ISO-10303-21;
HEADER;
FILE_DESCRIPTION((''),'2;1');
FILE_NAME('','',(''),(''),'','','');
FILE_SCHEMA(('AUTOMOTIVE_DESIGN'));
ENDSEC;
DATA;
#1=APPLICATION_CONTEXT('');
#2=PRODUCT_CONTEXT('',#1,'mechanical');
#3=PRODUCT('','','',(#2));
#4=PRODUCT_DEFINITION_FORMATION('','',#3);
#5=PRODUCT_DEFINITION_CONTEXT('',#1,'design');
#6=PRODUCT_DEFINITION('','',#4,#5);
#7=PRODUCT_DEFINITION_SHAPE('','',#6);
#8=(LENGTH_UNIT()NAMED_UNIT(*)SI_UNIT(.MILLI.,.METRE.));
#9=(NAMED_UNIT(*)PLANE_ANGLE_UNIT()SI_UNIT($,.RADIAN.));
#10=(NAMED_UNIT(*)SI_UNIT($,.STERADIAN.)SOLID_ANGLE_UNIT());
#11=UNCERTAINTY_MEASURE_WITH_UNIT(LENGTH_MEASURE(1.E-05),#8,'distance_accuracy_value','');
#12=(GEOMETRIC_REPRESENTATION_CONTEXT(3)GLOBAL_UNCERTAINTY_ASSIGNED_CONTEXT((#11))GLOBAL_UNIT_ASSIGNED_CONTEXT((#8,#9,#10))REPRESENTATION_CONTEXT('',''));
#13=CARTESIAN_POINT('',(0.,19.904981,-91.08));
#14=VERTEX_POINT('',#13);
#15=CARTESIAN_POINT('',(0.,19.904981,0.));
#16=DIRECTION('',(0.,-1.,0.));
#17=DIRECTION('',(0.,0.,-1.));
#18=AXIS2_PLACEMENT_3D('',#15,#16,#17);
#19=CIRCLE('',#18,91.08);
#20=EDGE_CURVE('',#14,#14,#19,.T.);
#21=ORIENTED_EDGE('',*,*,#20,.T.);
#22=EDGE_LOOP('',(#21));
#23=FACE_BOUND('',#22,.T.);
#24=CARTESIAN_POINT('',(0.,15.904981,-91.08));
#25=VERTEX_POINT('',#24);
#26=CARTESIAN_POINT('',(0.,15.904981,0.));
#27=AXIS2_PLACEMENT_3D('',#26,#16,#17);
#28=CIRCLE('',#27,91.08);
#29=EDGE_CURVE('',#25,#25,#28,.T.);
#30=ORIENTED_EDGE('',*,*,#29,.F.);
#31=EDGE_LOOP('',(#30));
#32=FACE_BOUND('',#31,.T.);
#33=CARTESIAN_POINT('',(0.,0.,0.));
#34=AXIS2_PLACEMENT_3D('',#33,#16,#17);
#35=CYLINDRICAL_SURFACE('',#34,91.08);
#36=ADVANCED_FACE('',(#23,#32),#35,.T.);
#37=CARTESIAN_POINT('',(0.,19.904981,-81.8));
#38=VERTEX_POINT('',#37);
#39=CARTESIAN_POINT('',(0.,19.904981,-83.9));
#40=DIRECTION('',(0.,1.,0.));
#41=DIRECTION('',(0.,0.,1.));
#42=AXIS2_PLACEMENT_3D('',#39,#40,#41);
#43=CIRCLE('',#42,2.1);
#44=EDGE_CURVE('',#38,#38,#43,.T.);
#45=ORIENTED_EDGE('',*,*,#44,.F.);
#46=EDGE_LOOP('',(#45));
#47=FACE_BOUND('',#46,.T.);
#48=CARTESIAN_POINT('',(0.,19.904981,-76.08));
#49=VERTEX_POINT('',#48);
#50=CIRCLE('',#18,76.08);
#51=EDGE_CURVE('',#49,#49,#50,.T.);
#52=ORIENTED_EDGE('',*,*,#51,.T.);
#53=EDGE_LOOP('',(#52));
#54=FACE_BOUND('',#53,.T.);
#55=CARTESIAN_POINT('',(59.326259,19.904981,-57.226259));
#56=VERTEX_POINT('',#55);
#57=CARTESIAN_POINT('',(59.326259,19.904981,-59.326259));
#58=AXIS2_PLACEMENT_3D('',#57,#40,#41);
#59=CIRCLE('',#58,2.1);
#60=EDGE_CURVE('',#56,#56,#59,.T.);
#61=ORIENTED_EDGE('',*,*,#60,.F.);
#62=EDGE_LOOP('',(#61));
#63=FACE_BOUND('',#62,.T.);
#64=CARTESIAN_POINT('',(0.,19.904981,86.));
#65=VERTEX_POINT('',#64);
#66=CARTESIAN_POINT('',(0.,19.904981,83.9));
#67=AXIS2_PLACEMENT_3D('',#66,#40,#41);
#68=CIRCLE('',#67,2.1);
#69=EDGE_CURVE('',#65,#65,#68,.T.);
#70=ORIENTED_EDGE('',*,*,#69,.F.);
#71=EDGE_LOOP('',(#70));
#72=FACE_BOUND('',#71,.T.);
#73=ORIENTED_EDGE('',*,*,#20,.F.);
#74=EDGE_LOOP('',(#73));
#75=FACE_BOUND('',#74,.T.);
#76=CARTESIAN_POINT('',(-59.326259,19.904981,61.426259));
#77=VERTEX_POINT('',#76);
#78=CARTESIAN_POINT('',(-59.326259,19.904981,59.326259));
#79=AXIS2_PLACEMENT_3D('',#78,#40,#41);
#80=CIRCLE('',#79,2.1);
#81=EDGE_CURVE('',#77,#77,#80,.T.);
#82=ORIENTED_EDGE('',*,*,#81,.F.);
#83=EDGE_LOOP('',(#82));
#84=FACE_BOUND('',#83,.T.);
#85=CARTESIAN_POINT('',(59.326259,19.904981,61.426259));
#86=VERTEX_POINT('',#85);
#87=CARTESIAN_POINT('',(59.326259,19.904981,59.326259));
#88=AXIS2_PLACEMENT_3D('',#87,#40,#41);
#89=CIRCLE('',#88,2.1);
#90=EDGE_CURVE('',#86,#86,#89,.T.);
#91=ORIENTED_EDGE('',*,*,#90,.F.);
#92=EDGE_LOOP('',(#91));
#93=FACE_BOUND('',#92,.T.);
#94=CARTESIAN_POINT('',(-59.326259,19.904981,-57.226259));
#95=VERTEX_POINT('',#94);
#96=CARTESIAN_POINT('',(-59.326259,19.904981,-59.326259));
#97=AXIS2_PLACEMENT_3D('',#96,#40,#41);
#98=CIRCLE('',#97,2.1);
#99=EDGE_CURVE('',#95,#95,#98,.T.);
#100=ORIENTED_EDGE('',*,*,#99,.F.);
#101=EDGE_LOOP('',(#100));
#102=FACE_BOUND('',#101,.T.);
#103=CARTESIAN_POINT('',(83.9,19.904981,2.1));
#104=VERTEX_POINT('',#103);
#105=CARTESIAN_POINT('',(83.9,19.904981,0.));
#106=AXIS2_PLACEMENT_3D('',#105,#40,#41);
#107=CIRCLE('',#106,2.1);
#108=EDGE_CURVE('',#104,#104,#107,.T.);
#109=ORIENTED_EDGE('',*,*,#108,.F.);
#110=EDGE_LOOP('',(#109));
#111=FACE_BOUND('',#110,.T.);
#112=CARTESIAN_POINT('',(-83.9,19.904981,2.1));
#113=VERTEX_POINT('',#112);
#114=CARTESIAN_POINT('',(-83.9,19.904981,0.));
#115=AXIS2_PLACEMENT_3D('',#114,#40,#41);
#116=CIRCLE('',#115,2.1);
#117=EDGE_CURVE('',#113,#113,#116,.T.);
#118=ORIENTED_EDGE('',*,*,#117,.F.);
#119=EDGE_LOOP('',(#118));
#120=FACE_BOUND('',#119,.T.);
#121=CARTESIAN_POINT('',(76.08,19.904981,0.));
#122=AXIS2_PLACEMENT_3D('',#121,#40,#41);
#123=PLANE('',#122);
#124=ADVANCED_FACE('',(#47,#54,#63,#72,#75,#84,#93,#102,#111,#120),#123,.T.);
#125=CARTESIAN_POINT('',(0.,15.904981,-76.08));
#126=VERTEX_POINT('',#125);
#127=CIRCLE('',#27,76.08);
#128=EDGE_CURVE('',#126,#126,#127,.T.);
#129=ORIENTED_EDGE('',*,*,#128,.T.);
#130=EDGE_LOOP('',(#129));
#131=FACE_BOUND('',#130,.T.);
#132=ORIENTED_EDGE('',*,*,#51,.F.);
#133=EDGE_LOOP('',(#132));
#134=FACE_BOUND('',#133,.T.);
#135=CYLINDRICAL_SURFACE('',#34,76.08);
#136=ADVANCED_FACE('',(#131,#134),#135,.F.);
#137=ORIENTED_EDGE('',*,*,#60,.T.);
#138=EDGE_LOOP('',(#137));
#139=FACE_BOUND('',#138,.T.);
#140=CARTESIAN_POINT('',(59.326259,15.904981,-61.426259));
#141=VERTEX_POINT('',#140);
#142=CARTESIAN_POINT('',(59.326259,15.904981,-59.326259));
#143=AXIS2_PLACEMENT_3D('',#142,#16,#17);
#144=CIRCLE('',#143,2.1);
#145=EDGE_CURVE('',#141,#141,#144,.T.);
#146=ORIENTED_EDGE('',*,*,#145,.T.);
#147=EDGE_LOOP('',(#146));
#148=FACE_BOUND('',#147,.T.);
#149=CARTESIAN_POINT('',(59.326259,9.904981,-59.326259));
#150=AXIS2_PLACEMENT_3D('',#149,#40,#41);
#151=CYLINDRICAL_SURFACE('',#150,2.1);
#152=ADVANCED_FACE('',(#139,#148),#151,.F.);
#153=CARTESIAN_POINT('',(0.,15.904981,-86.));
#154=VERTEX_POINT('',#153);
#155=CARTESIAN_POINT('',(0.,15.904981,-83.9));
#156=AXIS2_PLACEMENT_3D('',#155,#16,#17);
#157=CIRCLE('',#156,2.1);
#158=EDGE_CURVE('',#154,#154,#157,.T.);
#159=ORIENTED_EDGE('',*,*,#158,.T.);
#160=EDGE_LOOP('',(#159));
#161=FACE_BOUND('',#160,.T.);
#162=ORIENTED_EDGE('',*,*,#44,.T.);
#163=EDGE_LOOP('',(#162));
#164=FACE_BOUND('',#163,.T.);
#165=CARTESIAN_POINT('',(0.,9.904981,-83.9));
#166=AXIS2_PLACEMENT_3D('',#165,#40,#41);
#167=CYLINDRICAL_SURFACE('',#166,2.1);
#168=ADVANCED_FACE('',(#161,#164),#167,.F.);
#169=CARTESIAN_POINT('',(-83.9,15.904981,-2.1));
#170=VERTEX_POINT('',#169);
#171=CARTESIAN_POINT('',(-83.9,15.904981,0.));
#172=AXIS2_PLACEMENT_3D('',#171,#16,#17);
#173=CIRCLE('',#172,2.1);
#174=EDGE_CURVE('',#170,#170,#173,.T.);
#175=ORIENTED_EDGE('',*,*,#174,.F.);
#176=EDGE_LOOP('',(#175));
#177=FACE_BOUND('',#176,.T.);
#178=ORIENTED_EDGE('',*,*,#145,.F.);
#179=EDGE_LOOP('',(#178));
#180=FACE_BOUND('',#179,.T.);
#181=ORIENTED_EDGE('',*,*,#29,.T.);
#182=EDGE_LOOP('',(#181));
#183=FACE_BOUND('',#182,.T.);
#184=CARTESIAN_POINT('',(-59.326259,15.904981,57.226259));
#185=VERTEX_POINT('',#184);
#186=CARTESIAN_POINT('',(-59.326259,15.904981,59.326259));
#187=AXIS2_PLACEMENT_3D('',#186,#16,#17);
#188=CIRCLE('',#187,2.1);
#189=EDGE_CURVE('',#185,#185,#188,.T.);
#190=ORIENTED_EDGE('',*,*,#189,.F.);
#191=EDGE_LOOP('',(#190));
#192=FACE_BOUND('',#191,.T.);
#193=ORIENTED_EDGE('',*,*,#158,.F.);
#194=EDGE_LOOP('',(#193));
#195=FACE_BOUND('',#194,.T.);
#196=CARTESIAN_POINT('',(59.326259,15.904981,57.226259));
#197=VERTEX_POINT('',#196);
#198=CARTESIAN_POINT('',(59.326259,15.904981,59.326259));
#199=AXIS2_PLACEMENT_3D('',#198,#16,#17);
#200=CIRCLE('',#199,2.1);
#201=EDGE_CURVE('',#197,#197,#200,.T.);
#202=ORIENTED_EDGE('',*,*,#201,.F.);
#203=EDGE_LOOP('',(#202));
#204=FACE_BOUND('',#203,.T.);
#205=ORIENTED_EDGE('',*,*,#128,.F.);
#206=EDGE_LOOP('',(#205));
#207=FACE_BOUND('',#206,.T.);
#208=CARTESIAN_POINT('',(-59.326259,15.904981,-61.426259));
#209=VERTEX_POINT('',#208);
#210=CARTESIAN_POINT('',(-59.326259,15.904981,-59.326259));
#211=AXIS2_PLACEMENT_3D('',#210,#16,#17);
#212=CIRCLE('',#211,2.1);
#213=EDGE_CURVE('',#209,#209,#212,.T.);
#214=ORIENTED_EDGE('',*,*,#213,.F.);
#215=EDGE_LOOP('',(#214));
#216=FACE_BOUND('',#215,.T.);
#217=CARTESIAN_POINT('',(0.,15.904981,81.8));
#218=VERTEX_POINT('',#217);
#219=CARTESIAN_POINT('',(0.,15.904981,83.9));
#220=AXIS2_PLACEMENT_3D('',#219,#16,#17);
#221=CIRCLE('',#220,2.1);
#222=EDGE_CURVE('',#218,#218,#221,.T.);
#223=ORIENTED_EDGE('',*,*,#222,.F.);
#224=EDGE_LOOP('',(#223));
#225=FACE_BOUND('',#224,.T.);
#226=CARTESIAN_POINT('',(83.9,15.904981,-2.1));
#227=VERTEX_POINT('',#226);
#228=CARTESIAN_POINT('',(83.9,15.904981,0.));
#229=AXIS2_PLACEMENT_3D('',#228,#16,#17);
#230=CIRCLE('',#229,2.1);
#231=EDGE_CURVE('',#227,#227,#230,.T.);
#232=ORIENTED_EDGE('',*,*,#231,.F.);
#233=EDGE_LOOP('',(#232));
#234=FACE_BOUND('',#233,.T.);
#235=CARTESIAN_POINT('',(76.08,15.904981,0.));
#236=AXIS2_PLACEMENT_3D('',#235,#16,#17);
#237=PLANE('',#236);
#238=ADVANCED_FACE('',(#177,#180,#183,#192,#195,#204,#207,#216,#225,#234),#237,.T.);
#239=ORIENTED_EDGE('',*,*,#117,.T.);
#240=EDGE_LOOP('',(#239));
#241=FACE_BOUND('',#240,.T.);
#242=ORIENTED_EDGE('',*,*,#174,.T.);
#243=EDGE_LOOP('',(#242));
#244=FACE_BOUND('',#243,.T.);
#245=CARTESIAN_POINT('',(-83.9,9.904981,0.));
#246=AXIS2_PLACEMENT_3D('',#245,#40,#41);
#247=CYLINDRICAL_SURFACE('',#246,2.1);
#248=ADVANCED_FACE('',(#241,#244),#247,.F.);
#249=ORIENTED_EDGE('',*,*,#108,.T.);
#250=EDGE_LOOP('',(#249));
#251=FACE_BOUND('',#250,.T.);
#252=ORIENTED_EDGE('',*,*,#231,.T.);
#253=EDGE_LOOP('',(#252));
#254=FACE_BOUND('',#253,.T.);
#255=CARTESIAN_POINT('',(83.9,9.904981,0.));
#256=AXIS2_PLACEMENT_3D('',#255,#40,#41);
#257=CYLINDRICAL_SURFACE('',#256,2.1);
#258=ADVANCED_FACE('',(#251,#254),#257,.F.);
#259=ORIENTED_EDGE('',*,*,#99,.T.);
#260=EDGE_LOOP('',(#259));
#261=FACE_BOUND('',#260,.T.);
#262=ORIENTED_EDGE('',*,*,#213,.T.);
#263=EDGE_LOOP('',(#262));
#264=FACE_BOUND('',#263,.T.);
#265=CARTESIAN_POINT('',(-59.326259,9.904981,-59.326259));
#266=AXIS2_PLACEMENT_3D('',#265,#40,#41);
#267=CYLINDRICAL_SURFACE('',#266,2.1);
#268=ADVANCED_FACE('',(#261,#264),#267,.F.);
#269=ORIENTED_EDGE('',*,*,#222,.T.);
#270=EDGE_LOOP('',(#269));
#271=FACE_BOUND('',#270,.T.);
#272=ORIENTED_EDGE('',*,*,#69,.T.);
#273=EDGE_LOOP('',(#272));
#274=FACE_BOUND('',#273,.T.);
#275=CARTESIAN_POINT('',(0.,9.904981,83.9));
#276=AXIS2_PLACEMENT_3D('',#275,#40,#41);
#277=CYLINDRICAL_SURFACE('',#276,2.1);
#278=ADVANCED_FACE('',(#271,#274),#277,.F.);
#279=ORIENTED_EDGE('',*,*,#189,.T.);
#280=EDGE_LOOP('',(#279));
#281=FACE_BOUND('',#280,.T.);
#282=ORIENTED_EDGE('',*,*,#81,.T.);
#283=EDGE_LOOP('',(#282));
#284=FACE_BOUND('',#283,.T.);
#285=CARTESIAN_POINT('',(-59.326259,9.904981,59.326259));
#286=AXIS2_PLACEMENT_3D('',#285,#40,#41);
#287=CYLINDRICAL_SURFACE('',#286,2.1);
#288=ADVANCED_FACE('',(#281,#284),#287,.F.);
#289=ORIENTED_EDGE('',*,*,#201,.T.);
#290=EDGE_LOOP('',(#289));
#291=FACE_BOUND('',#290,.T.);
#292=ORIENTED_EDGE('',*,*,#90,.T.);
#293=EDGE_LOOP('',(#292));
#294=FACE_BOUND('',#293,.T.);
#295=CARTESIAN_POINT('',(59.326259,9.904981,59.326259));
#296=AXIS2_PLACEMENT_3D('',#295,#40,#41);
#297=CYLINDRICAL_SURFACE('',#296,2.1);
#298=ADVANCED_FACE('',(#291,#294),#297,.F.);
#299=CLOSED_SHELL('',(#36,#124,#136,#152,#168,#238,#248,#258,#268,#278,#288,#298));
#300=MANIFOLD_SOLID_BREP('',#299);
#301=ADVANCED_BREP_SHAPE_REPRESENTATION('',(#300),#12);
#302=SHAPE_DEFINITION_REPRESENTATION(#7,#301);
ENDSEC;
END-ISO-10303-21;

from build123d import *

# Parameters (mm, degrees)
SKETCH_1_W          = 15
SKETCH_1_H          = 4
SKETCH_2_R          = 2.1
CUT_EXTRUDE_1_DEPTH = 10


with BuildPart() as part:
    # 草图1 → 旋转1 (revolve)
    with BuildSketch(Plane.XY, mode=Mode.PRIVATE) as revolve_1_sk:
        with Locations((83.58, 17.904981343)):
            Rectangle(SKETCH_1_W, SKETCH_1_H)
    revolve(revolve_1_sk.sketch.rotate(Axis((0, 0, 0), (0, 1, 0)), 90), axis=Axis((0, 0, 0), (0, 1, 0)))

    # 草图2 → 切除-拉伸1 (cut)
    with BuildSketch(Plane(origin=(0, 19.904981343, 0), x_dir=(1, 0, 0), z_dir=(0, 1, 0))):
        with Locations(Location((-83.9, 0, 0), (0, 0, 270))):
            Circle(SKETCH_2_R)
        with Locations(Location((-59.326258942, 59.326258942, 0), (0, 0, 270))):
            Circle(SKETCH_2_R)
        with Locations(Location((0, 83.9, 0), (0, 0, 270))):
            Circle(SKETCH_2_R)
        with Locations(Location((59.326258942, 59.326258942, 0), (0, 0, 270))):
            Circle(SKETCH_2_R)
        with Locations(Location((83.9, 0, 0), (0, 0, 270))):
            Circle(SKETCH_2_R)
        with Locations(Location((59.326258942, -59.326258942, 0), (0, 0, 270))):
            Circle(SKETCH_2_R)
        with Locations(Location((0, -83.9, 0), (0, 0, 270))):
            Circle(SKETCH_2_R)
        with Locations(Location((-59.326258942, -59.326258942, 0), (0, 0, 270))):
            Circle(SKETCH_2_R)
    extrude(amount=-CUT_EXTRUDE_1_DEPTH, mode=Mode.SUBTRACT)


solid = part.part
